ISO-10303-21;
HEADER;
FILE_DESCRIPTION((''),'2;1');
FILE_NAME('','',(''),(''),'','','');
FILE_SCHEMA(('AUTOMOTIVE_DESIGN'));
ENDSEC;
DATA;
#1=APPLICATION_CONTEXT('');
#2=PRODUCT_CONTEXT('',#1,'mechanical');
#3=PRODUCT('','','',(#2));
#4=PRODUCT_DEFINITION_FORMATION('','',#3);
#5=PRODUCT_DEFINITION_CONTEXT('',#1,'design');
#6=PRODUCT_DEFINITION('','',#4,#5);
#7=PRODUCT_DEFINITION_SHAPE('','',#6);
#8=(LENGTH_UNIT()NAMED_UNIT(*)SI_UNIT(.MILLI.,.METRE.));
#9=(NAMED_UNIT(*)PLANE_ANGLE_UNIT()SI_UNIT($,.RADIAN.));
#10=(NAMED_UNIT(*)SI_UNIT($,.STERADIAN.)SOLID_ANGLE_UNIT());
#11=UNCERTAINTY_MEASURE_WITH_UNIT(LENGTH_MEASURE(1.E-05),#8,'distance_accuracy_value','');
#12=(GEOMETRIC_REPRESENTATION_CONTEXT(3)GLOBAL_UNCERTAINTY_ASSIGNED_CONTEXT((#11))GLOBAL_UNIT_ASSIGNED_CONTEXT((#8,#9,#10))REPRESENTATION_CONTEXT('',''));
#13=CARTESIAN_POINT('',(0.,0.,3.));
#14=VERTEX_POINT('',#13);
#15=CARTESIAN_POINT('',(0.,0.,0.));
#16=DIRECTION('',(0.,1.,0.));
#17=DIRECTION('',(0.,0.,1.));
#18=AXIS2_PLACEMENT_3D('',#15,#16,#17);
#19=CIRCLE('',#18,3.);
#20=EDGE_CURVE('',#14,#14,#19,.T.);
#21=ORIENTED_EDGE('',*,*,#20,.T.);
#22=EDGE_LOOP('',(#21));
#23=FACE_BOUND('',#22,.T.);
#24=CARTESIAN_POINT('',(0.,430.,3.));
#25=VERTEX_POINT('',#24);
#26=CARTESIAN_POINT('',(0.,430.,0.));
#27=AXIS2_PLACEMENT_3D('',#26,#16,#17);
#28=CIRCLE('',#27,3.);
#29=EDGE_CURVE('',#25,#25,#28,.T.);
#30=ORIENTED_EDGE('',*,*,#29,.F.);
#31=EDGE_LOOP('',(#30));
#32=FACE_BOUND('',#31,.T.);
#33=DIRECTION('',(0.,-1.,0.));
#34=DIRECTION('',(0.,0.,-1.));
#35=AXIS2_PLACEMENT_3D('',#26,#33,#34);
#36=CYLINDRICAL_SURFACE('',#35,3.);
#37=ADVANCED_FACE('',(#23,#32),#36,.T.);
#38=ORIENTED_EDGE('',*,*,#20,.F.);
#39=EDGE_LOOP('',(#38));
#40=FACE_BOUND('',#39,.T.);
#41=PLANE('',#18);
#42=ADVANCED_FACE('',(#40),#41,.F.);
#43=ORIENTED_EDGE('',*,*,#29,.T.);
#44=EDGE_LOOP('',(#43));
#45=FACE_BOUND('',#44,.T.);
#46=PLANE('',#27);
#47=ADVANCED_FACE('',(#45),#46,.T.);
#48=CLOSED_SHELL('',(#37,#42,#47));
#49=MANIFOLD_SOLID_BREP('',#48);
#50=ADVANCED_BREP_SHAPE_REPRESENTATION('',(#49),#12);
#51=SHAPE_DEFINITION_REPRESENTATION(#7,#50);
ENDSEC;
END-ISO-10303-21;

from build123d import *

# Parameters (mm, degrees)
ESQUISSE1_R        = 3
BOSS_EXTRU_1_DEPTH = 430


with BuildPart() as part:
    # Esquisse1 → Boss.-Extru.1 (new body)
    with BuildSketch(Plane(origin=(0, 0, 0), x_dir=(1, 0, 0), z_dir=(0, 1, 0))):
        Circle(ESQUISSE1_R)
    extrude(amount=BOSS_EXTRU_1_DEPTH)


solid = part.part
